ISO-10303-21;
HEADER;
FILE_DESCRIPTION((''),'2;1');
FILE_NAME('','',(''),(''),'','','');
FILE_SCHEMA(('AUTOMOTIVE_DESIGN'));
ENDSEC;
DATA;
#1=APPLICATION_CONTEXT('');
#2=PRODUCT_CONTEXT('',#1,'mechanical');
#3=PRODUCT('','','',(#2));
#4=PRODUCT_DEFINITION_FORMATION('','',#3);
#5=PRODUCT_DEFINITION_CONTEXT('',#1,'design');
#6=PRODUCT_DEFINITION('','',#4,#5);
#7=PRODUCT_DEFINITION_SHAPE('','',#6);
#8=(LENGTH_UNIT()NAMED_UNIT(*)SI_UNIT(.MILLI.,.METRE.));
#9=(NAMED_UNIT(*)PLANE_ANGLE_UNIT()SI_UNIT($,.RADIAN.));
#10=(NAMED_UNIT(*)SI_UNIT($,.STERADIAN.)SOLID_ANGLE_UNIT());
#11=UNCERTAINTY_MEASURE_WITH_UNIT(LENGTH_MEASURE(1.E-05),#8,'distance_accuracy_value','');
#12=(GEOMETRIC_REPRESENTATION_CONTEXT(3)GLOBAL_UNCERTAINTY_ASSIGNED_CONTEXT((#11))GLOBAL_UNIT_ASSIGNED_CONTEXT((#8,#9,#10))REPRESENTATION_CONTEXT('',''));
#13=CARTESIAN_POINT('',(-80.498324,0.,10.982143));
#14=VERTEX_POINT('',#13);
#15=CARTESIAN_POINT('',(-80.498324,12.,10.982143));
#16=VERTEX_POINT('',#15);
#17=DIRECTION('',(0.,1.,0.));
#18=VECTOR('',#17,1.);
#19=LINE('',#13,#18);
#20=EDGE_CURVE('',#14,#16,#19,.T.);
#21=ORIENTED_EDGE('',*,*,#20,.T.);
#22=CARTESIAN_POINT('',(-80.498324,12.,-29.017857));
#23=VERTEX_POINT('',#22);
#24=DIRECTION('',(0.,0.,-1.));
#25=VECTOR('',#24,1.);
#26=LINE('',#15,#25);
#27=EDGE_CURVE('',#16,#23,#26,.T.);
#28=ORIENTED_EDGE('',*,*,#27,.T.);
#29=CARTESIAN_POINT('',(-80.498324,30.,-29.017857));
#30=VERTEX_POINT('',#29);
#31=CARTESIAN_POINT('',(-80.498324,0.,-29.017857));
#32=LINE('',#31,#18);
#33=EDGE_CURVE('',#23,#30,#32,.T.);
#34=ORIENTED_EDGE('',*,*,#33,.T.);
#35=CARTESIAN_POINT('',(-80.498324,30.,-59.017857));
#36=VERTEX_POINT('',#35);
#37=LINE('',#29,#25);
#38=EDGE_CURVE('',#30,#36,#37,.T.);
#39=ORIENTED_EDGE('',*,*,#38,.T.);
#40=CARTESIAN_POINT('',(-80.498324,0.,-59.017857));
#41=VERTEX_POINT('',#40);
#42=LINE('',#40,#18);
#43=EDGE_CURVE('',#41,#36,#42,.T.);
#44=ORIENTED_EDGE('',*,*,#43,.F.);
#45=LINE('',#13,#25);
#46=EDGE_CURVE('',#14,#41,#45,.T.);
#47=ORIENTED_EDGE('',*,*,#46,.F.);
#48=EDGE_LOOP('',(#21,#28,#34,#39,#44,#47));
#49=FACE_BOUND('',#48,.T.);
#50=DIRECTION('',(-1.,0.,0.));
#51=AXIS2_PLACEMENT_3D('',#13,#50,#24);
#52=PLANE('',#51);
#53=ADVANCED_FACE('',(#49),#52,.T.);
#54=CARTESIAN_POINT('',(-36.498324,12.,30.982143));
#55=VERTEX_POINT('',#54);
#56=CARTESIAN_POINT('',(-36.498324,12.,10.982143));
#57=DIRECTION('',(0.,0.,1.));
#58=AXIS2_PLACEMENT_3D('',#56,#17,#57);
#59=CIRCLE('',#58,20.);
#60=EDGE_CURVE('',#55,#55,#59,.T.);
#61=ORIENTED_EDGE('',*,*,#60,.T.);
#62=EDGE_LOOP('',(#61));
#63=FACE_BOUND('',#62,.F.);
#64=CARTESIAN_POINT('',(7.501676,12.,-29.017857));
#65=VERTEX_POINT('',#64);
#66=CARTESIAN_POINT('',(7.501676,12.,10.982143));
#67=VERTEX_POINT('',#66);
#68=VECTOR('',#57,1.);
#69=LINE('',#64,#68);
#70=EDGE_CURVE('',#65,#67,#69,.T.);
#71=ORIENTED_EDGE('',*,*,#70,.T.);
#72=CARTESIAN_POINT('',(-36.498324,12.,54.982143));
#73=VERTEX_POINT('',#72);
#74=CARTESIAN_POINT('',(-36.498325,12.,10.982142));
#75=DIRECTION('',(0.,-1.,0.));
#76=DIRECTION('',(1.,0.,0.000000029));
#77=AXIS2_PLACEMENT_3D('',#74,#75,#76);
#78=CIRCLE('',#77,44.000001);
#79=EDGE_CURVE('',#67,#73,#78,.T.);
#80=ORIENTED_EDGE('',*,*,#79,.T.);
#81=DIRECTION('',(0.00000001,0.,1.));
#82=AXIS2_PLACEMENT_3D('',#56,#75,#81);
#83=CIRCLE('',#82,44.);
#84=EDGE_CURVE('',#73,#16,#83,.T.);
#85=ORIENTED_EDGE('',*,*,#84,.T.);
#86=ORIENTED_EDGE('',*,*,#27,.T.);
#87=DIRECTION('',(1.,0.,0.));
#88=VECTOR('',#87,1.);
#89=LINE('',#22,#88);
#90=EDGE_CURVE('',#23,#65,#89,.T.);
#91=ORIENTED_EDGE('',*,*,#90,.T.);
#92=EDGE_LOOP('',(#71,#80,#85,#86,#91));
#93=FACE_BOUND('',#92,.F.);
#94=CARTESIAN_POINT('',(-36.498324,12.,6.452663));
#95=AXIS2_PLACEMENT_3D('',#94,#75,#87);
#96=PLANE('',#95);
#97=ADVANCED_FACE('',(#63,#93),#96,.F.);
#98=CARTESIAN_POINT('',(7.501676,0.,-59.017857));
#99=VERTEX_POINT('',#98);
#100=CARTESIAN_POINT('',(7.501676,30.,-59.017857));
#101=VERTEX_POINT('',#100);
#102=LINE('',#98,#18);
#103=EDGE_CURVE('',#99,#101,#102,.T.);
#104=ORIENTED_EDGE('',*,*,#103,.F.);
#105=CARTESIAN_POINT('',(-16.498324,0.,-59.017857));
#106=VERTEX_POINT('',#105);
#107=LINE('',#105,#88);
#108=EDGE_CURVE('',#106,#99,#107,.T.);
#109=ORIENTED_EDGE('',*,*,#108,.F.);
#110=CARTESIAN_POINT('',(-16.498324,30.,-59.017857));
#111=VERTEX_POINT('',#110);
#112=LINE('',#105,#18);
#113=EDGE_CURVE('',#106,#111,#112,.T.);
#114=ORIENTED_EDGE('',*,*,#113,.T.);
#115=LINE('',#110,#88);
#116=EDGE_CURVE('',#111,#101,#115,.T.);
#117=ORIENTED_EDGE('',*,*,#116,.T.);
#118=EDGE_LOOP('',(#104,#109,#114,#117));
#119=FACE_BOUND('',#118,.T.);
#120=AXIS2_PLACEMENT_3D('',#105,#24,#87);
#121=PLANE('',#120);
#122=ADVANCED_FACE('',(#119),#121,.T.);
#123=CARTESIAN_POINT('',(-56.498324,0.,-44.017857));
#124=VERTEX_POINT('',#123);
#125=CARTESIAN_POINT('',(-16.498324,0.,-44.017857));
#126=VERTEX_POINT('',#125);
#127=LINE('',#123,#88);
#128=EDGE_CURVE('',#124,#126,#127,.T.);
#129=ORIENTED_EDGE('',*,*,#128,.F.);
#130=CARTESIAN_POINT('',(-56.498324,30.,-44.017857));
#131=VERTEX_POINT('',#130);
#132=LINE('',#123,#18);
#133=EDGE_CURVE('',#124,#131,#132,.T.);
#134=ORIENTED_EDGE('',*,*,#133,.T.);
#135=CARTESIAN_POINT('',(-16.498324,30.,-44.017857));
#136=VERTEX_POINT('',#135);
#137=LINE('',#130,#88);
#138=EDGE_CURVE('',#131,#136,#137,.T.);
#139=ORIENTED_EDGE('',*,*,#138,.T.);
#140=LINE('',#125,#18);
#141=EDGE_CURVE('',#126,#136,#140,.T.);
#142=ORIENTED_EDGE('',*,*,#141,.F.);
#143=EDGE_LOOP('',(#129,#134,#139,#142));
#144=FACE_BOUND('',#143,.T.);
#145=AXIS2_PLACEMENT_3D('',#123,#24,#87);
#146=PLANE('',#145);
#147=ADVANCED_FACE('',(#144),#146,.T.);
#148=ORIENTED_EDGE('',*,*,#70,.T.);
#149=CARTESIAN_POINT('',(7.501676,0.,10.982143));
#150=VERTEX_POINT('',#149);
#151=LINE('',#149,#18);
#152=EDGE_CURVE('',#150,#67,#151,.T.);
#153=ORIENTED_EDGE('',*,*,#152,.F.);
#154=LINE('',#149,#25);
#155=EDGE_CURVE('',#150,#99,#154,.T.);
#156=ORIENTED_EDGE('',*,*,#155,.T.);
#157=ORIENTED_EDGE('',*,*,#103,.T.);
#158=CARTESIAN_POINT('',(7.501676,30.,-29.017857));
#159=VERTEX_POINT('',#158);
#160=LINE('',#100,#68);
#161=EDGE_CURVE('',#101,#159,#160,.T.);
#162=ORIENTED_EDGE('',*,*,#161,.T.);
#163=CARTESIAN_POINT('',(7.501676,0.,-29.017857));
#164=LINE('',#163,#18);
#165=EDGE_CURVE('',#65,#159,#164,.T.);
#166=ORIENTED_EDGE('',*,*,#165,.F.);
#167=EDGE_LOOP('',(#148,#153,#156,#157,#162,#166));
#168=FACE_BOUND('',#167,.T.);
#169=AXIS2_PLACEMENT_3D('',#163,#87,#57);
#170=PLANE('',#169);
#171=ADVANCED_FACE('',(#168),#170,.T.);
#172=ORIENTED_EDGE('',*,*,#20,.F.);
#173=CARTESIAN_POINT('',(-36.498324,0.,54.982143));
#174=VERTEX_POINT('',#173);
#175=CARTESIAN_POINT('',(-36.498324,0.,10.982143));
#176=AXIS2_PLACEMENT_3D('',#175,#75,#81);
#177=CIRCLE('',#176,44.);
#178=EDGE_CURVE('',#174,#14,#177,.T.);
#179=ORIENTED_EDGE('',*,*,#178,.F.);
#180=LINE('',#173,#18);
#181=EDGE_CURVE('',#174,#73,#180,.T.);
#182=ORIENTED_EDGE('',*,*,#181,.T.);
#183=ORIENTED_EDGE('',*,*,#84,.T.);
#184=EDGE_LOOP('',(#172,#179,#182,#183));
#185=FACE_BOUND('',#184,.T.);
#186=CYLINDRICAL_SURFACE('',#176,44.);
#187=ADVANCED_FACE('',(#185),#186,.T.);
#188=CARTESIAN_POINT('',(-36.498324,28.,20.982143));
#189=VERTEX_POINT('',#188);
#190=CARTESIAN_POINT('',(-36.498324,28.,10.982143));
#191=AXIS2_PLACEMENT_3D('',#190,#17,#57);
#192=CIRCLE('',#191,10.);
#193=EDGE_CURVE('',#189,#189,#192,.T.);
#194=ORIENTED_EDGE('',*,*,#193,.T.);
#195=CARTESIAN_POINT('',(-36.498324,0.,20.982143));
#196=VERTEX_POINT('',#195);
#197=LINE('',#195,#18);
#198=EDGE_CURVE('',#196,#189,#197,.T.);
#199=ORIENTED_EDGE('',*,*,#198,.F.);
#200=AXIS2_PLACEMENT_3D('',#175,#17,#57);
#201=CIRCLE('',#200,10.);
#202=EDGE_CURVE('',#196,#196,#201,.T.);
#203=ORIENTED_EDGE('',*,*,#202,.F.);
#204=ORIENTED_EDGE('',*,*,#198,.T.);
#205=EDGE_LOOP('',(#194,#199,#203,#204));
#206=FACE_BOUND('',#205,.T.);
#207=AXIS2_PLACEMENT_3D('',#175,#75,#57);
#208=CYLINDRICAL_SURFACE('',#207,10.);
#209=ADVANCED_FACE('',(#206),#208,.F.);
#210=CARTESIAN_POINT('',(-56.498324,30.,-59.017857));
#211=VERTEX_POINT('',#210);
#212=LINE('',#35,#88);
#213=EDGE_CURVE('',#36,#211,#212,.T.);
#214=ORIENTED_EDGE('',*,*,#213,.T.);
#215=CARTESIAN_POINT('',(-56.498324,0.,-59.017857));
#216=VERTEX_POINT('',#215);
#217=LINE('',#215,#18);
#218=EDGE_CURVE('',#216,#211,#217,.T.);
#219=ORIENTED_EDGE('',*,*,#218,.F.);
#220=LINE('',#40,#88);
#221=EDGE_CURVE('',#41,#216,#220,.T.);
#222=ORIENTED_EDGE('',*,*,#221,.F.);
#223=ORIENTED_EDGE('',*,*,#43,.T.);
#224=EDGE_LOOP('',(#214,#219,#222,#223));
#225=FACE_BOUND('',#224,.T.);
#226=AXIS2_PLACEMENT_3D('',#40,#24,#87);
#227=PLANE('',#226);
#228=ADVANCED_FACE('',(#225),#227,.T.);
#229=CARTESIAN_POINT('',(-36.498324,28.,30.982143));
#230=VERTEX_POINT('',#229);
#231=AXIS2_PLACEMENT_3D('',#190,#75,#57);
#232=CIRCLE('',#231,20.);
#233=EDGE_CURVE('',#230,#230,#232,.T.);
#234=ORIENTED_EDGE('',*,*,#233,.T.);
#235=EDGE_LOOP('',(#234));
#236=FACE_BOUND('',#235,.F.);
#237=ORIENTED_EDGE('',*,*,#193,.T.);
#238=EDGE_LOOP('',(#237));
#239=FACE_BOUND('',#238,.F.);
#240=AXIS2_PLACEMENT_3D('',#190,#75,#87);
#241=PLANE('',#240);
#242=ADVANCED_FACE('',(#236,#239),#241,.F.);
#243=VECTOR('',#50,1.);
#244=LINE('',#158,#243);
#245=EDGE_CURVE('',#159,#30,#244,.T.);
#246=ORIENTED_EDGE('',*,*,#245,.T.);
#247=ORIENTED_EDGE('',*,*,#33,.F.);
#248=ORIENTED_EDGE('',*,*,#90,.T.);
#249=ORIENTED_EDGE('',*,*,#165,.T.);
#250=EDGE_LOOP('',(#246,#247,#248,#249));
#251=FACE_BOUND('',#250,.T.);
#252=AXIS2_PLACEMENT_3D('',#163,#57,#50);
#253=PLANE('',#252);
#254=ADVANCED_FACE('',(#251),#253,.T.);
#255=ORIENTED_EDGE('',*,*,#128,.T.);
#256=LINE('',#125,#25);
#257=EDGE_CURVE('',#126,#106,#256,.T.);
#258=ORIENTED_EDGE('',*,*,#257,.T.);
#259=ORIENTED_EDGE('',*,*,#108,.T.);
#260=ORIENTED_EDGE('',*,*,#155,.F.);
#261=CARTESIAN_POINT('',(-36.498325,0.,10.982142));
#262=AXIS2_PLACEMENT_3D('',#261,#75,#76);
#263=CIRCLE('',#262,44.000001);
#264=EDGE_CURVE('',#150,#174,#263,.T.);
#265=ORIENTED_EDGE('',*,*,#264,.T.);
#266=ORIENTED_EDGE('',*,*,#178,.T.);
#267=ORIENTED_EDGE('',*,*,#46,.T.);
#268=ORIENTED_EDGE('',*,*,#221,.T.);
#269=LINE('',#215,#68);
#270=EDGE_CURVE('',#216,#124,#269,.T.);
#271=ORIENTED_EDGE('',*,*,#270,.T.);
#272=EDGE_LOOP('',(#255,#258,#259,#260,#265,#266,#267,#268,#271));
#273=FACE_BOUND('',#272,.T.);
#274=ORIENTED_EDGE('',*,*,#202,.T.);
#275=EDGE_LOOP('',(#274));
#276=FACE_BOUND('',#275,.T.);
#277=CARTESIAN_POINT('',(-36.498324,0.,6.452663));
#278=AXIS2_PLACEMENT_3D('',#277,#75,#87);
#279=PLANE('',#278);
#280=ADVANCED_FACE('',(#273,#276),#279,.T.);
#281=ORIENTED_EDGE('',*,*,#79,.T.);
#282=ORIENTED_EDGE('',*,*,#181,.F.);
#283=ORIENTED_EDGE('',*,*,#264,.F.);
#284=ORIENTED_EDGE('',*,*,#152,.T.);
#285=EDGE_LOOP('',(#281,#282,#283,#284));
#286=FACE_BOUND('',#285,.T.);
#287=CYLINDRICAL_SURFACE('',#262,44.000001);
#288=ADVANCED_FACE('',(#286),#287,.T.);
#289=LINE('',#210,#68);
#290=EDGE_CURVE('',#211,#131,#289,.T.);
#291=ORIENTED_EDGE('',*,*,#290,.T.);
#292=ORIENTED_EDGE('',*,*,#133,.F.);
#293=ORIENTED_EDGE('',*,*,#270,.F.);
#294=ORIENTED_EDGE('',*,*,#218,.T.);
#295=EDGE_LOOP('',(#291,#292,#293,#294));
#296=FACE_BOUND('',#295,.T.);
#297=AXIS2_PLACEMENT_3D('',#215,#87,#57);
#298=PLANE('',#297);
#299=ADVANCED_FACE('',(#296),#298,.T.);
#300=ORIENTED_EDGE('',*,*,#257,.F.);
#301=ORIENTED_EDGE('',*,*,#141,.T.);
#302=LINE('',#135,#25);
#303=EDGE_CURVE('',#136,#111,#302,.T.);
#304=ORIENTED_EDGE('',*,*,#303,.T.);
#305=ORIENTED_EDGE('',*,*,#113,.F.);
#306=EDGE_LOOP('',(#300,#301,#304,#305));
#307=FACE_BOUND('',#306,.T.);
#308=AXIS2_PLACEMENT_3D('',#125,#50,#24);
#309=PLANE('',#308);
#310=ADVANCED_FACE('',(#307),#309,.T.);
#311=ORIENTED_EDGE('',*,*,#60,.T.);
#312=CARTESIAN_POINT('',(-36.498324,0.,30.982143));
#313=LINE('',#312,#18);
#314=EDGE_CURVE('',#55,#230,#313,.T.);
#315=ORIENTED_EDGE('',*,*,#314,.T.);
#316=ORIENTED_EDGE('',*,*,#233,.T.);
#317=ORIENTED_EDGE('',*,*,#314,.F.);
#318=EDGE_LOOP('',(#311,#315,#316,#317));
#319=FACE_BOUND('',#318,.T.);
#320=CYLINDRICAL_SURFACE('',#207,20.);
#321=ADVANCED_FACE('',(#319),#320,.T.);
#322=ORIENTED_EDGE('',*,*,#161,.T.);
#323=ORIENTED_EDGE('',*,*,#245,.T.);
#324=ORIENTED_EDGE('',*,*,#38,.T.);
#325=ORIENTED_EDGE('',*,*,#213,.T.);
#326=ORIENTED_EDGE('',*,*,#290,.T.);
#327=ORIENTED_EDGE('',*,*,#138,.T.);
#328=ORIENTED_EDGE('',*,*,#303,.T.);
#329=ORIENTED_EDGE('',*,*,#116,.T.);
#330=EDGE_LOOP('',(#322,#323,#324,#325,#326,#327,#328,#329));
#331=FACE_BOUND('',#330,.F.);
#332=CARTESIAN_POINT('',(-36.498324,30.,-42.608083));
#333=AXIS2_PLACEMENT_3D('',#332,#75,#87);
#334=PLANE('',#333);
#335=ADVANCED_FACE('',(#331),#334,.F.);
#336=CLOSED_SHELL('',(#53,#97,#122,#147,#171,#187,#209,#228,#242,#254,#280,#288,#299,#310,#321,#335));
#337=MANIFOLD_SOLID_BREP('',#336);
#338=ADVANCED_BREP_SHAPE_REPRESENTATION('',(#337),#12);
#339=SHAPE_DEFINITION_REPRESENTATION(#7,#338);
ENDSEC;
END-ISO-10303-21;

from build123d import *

# Parameters (mm, degrees)
F1_DEPTH = 30
F2_DEPTH = 12
F3_DEPTH = 28


with BuildPart() as f1:
    # F0 (on Front) → F1 (new body)
    with BuildSketch(Plane.XZ):
        Polygon((-36.498324, -29.017857), (-80.498324, -29.017857), (-80.498324, -59.017857), (-56.498324, -59.017857), (-56.498324, -44.017857), (-36.498324, -44.017857), (-16.498324, -44.017857), (-16.498324, -59.017857), (7.501676, -59.017857), (7.501676, -29.017857), align=None)
    extrude(amount=-F1_DEPTH)

    # F0 (on Front) → F2 (join)
    with BuildSketch(Plane.XZ):
        with BuildLine():
            ThreePointArc((7.501676, 10.982143), (-5.385626, 42.094841), (-36.498324, 54.982143))
            ThreePointArc((-36.498324, 54.982143), (-67.611023, 42.094841), (-80.498324, 10.982143))
            Line((-80.498324, 10.982143), (-80.498324, -29.017857))
            Line((-80.498324, -29.017857), (-36.498324, -29.017857))
            Line((-36.498324, -29.017857), (7.501676, -29.017857))
            Line((7.501676, -29.017857), (7.501676, 10.982143))
        make_face()
        with BuildLine():
            ThreePointArc((-36.498324, -9.017857), (-56.498324, 10.982143), (-36.498324, 30.982143))
            ThreePointArc((-36.498324, 30.982143), (-16.498324, 10.982143), (-36.498324, -9.017857))
        make_face(mode=Mode.SUBTRACT)
    extrude(amount=-F2_DEPTH)

    # F0 (on Front) → F3 (join)
    with BuildSketch(Plane.XZ):
        with BuildLine():
            ThreePointArc((-36.498324, -9.017857), (-16.498324, 10.982143), (-36.498324, 30.982143))
            ThreePointArc((-36.498324, 30.982143), (-56.498324, 10.982143), (-36.498324, -9.017857))
        make_face()
        with BuildLine():
            ThreePointArc((-36.498324, 0.982143), (-46.498324, 10.982143), (-36.498324, 20.982143))
            ThreePointArc((-36.498324, 20.982143), (-26.498324, 10.982143), (-36.498324, 0.982143))
        make_face(mode=Mode.SUBTRACT)
    extrude(amount=-F3_DEPTH)


solid = f1.part
